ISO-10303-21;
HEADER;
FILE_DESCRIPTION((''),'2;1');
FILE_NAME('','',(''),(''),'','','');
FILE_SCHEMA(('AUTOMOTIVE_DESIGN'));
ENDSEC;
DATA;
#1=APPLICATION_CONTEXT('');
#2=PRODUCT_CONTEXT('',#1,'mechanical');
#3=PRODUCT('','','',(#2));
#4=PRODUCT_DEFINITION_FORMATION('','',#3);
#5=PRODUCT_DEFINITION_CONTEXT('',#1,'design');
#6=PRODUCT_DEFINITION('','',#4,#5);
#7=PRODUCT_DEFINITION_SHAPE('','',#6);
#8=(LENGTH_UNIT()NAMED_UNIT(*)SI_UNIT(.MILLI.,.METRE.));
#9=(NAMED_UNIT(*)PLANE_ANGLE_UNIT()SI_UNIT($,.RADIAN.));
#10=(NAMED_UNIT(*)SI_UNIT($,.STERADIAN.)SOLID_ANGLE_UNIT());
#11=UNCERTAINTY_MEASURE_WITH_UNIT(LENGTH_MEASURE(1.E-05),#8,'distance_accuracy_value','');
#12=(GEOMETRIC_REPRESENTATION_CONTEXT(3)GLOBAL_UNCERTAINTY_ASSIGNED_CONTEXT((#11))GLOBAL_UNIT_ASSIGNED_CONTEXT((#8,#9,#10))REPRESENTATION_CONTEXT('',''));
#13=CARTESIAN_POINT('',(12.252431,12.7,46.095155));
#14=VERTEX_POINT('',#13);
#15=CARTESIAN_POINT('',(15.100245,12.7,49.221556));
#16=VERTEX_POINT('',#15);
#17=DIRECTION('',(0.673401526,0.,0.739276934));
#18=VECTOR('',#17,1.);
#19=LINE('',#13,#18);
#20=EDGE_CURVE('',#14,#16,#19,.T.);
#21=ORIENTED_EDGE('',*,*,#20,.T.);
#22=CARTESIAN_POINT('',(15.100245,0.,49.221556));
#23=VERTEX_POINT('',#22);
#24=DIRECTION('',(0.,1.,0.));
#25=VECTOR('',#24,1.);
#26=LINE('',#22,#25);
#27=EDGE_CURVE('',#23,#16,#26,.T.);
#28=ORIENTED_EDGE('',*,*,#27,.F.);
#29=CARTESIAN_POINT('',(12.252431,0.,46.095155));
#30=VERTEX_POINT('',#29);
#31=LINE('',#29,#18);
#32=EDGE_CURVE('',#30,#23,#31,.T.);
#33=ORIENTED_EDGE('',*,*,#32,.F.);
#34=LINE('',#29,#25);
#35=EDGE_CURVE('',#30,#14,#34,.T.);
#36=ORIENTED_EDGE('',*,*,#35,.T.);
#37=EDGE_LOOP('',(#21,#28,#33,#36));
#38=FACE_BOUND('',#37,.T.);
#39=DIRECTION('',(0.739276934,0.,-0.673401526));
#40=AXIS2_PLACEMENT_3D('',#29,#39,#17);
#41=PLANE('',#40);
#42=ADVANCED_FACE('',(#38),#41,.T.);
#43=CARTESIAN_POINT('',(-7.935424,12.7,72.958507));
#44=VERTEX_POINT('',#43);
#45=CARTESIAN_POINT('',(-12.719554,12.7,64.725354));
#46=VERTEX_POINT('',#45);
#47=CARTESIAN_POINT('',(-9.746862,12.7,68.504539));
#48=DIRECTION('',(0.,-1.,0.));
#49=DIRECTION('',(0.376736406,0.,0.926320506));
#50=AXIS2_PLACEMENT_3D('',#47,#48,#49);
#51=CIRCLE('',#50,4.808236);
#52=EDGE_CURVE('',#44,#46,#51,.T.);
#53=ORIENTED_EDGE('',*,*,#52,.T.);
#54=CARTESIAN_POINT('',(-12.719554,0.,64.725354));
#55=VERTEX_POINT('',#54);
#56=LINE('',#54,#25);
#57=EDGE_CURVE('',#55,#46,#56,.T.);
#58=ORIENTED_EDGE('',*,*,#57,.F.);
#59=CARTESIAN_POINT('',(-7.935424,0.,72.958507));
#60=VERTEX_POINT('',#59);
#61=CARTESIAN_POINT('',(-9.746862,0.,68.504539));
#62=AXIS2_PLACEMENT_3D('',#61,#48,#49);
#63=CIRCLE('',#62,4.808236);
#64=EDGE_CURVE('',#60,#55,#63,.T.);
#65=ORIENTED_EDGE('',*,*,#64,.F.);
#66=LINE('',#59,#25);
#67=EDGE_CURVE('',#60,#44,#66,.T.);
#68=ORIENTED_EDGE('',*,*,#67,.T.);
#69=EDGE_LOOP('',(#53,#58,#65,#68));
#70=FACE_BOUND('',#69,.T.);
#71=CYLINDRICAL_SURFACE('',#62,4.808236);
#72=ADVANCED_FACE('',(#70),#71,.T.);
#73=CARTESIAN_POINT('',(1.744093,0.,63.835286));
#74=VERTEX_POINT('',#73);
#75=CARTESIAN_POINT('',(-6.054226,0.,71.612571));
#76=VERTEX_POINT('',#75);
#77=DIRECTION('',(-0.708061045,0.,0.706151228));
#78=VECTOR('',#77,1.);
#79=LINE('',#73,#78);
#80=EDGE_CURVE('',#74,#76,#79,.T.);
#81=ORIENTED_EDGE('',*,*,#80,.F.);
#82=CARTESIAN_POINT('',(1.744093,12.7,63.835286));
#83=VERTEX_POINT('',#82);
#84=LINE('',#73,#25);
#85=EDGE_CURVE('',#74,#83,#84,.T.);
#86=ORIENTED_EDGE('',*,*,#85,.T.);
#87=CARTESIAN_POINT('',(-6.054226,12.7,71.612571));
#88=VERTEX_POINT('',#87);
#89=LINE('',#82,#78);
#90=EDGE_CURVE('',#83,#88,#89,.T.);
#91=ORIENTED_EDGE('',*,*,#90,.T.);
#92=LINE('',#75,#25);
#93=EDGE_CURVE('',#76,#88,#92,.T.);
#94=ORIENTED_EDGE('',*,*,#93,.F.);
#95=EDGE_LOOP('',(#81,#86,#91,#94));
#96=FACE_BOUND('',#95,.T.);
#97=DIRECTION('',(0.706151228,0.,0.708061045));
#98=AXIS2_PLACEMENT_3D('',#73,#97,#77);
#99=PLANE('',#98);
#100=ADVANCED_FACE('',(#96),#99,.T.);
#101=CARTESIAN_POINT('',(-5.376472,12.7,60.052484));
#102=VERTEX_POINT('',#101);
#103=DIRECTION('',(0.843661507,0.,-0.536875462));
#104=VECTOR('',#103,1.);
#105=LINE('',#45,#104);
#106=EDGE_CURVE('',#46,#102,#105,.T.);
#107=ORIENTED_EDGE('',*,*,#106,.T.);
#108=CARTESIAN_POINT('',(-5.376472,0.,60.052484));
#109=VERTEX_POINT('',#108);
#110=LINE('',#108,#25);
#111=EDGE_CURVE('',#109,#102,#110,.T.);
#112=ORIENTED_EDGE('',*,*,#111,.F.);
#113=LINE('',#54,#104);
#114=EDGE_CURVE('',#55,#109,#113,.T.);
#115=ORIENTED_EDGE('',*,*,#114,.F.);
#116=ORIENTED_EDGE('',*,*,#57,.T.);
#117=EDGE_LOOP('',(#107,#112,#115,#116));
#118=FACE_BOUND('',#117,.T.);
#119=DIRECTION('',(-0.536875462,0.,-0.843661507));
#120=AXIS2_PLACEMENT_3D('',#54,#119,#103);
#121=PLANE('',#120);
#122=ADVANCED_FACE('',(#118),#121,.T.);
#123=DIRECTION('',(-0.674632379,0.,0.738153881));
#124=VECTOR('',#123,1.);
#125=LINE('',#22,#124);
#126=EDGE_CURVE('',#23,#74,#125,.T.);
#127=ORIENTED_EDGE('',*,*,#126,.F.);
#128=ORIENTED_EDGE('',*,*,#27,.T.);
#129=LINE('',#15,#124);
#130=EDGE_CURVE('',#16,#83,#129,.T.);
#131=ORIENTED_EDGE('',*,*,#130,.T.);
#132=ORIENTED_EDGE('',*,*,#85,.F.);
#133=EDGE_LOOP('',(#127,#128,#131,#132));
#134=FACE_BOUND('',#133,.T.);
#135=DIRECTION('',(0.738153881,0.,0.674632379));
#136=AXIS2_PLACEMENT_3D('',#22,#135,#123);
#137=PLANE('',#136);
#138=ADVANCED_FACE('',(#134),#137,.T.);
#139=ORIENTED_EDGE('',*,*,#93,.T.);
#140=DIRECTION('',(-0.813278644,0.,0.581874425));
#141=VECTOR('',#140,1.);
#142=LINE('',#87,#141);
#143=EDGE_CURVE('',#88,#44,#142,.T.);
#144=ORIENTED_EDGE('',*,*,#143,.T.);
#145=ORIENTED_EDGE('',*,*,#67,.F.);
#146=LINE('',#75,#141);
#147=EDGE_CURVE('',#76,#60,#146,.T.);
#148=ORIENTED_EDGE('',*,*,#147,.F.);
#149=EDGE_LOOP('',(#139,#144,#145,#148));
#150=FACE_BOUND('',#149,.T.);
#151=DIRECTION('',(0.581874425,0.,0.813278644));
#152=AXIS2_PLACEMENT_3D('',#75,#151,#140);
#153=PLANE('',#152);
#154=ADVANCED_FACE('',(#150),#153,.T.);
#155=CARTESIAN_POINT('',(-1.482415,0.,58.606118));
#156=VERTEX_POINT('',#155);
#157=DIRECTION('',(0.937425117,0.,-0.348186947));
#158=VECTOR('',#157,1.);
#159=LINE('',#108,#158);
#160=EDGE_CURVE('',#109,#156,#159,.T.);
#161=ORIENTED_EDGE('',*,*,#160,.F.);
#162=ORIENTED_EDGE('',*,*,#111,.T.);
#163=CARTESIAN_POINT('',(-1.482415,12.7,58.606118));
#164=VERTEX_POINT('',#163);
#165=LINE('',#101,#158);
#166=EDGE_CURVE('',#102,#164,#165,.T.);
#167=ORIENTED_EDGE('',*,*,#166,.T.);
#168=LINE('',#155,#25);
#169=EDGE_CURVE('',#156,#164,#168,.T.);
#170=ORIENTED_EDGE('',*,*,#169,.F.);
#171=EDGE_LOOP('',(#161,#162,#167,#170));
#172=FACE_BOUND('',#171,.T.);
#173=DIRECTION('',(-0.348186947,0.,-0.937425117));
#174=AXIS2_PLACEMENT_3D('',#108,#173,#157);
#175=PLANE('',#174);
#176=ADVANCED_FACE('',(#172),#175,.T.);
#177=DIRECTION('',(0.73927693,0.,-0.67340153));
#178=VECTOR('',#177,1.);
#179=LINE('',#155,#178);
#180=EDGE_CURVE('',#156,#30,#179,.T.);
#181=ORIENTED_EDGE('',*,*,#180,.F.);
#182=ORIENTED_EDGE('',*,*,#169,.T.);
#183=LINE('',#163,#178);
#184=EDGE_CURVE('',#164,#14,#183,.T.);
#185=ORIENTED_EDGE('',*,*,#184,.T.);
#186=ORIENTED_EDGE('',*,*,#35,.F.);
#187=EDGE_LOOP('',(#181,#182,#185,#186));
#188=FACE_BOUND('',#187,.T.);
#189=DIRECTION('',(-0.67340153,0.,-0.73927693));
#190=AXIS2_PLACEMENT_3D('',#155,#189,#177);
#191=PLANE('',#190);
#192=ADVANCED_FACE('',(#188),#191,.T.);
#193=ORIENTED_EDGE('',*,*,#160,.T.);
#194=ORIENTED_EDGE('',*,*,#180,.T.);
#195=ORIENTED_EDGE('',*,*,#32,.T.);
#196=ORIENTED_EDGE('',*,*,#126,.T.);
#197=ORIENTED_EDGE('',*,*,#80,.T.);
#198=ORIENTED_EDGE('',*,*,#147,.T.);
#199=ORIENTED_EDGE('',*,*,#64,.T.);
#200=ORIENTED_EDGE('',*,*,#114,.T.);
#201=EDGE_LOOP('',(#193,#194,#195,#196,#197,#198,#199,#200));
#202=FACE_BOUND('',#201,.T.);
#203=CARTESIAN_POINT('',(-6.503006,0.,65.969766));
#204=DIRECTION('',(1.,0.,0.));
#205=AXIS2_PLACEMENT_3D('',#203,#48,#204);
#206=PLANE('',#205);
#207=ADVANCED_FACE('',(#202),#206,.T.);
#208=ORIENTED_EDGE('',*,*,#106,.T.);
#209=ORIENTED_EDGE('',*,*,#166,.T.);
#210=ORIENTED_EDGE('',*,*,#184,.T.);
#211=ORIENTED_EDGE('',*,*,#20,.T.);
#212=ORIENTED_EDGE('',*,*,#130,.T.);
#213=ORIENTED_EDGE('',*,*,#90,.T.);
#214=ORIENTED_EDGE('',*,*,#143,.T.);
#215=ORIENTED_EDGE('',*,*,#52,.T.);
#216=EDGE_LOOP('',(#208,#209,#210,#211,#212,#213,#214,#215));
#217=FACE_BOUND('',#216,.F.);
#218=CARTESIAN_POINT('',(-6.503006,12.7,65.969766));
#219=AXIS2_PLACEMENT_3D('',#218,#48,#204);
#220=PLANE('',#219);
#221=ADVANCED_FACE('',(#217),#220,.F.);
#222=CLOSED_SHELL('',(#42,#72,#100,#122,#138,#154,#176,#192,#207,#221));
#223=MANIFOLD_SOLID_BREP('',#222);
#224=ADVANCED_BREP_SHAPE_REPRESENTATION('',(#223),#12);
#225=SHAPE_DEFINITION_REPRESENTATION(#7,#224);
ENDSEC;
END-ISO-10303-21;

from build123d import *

# Parameters (mm, degrees)
F1_DEPTH = 12.7


with BuildPart() as f1:
    # F0 (on Front) → F1 (new body)
    with BuildSketch(Plane.XZ):
        with BuildLine():
            Line((-6.054226, 71.612571), (-7.935424, 72.958507))
            ThreePointArc((-7.935424, 72.958507), (-13.904184, 70.920281), (-12.719554, 64.725354))
            Line((-12.719554, 64.725354), (-5.376472, 60.052484))
            Line((-5.376472, 60.052484), (-1.482415, 58.606118))
            Line((-1.482415, 58.606118), (1.744093, 63.835286))
            Line((1.744093, 63.835286), (-6.054226, 71.612571))
        make_face()
        Polygon((15.100245, 49.221556), (1.744093, 63.835286), (-1.482415, 58.606118), (12.252431, 46.095155), align=None)
    extrude(amount=-F1_DEPTH)


solid = f1.part
